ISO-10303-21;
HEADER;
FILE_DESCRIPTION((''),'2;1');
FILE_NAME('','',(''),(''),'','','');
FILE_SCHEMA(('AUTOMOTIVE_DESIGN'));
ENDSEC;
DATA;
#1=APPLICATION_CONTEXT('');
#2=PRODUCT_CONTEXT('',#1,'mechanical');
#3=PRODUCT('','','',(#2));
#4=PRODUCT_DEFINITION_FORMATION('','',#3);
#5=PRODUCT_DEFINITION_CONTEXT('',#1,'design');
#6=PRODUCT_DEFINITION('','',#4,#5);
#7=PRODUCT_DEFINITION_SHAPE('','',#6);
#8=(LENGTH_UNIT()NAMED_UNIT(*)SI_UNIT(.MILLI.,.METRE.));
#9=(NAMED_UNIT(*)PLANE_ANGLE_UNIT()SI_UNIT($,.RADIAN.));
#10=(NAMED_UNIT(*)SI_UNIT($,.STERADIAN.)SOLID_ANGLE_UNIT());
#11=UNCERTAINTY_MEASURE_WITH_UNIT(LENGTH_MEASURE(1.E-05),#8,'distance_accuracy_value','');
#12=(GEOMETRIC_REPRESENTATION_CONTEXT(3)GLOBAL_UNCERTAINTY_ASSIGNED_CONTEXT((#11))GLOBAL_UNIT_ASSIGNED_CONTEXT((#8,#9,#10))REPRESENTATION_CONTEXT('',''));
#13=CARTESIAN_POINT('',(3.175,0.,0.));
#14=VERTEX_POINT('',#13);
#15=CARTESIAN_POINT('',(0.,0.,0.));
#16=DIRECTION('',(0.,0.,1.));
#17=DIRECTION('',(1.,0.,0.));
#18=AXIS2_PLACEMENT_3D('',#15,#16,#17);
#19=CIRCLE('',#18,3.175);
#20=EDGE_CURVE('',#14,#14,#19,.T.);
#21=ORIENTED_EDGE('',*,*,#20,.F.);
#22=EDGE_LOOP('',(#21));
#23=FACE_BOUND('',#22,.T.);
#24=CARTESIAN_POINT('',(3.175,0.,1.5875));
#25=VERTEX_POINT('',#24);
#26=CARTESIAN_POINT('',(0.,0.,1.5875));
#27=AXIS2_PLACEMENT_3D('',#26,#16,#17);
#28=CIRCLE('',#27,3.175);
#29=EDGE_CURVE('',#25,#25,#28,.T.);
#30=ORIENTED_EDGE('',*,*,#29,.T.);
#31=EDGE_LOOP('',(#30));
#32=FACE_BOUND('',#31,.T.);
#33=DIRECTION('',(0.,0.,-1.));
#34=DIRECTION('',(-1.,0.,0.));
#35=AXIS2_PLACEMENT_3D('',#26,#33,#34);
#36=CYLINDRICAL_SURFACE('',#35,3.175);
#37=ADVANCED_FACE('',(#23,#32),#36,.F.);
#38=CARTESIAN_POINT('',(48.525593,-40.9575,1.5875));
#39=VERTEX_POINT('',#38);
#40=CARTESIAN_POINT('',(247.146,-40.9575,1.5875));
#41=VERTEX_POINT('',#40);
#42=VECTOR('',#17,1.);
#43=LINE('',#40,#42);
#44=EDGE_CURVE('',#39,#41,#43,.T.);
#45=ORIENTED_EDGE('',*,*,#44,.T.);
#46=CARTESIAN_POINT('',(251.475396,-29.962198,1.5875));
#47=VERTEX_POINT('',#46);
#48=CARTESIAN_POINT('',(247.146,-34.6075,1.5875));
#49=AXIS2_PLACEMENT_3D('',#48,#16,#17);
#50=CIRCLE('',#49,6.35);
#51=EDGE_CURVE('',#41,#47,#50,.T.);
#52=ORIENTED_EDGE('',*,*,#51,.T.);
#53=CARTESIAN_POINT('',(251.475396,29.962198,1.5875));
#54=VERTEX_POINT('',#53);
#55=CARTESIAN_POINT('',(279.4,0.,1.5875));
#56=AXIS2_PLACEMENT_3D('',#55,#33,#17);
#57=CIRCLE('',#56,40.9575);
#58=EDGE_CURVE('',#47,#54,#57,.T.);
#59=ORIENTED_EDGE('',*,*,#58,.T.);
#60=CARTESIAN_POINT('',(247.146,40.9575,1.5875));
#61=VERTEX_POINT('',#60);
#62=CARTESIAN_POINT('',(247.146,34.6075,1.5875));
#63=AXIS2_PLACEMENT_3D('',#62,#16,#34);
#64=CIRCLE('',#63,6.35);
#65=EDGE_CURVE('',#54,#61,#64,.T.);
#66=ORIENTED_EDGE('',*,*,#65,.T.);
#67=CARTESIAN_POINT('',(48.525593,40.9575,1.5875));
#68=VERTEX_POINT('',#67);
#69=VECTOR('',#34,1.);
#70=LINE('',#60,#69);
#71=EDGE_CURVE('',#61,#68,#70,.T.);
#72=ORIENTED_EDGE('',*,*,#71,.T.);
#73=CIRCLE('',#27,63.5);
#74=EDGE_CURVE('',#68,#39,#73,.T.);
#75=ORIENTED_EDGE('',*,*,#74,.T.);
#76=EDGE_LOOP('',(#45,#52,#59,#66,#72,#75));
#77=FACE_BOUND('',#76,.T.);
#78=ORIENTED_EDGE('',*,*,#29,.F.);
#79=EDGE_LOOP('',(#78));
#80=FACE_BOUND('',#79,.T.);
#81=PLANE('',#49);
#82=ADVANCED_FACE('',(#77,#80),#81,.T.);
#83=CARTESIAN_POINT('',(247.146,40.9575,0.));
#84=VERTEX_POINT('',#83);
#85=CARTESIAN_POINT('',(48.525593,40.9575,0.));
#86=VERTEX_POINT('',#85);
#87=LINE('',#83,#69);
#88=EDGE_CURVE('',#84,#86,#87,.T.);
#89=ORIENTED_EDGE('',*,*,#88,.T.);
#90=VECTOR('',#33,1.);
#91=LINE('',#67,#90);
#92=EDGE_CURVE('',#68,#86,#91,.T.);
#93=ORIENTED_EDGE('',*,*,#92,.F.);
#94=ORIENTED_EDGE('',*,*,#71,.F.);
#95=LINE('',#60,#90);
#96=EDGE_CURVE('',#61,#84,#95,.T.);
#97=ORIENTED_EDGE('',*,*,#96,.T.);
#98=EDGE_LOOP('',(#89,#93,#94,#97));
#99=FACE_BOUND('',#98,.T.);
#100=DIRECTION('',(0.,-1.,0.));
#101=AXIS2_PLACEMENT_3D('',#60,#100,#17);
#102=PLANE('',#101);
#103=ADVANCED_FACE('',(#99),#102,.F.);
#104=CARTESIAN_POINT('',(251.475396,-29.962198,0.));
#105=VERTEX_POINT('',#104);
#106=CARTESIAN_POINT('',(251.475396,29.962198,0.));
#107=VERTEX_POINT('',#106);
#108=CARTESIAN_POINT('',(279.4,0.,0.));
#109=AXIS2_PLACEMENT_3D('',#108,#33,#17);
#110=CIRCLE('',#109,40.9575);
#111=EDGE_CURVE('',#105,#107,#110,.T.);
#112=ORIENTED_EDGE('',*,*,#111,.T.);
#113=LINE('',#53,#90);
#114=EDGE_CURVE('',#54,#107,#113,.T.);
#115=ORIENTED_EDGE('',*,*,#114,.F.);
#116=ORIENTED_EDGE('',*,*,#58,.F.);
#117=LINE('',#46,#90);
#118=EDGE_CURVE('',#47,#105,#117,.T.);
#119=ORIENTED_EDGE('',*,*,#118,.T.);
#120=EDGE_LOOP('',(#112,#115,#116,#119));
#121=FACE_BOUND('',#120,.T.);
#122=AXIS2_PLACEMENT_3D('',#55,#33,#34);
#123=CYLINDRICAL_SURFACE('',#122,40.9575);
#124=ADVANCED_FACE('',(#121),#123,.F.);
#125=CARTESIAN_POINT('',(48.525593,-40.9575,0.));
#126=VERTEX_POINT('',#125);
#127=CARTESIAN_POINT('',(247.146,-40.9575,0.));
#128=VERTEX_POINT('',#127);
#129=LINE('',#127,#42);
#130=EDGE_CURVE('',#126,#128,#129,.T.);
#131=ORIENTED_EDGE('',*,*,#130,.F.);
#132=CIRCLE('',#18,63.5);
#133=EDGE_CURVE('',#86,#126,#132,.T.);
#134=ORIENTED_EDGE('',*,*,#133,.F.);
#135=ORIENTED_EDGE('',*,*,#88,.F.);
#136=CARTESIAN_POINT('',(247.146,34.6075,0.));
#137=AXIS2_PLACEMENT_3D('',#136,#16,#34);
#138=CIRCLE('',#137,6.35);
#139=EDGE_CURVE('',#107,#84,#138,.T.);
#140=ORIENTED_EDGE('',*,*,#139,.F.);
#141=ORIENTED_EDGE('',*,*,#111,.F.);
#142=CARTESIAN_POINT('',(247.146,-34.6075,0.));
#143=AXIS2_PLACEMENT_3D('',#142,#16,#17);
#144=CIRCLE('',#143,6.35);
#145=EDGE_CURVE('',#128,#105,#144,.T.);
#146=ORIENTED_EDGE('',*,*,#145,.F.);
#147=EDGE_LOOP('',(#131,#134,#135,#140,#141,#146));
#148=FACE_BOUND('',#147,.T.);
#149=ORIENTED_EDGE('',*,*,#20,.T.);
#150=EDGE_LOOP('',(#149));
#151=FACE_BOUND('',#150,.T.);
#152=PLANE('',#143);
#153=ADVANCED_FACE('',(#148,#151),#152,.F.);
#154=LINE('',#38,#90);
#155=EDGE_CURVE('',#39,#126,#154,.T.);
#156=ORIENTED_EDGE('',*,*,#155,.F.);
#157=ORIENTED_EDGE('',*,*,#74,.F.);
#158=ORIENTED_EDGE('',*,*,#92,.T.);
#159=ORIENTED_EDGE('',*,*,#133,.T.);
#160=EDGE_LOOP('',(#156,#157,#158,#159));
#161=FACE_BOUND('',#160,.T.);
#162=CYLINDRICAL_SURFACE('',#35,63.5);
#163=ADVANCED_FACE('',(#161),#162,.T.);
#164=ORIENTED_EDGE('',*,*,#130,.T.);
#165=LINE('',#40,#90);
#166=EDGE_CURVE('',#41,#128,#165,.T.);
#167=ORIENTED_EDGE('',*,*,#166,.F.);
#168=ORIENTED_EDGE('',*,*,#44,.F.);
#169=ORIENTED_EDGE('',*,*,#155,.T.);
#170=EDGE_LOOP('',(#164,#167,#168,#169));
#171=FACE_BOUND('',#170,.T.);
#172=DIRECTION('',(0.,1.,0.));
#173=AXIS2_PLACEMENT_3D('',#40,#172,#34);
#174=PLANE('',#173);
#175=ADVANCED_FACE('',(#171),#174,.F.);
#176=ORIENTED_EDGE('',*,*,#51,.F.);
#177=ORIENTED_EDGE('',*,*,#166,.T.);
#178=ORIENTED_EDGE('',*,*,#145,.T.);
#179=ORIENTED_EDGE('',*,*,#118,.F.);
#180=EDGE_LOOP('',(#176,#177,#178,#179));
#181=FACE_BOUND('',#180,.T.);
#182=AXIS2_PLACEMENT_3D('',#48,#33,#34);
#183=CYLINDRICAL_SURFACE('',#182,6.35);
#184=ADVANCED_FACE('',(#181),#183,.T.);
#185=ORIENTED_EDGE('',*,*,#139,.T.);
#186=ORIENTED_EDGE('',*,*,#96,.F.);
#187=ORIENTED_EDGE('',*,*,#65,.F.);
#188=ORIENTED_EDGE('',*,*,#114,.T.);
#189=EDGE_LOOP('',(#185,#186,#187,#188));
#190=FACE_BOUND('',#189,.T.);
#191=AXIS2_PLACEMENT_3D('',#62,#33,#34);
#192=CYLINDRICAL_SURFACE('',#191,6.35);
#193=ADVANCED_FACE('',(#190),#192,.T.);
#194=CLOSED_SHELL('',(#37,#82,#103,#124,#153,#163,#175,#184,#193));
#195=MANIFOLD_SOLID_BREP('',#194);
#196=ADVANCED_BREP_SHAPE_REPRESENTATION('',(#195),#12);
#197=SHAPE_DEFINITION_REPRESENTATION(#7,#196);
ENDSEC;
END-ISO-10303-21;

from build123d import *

# Parameters (mm, degrees)
SKETCH1_R           = 3.175
BOSS_EXTRUDE1_DEPTH = 1.5875


with BuildPart() as part:
    # Sketch1 → Boss-Extrude1 (new body)
    with BuildSketch(Plane.XY):
        with BuildLine():
            Line((247.146000248, -40.9575), (48.525593183, -40.9575))
            ThreePointArc((48.525593183, -40.9575), (-63.5, 0), (48.525593183, 40.9575))
            Line((48.525593183, 40.9575), (247.146000248, 40.9575))
            ThreePointArc((247.146000248, 40.9575), (253.054475846, 36.933959995), (251.475396188, 29.962197987))
            ThreePointArc((251.475396188, 29.962197987), (238.4425, 0), (251.475396188, -29.962197987))
            ThreePointArc((251.475396188, -29.962197987), (253.054475846, -36.933959995), (247.146000248, -40.9575))
        make_face()
        Circle(SKETCH1_R, mode=Mode.SUBTRACT)
    extrude(amount=BOSS_EXTRUDE1_DEPTH)


solid = part.part
